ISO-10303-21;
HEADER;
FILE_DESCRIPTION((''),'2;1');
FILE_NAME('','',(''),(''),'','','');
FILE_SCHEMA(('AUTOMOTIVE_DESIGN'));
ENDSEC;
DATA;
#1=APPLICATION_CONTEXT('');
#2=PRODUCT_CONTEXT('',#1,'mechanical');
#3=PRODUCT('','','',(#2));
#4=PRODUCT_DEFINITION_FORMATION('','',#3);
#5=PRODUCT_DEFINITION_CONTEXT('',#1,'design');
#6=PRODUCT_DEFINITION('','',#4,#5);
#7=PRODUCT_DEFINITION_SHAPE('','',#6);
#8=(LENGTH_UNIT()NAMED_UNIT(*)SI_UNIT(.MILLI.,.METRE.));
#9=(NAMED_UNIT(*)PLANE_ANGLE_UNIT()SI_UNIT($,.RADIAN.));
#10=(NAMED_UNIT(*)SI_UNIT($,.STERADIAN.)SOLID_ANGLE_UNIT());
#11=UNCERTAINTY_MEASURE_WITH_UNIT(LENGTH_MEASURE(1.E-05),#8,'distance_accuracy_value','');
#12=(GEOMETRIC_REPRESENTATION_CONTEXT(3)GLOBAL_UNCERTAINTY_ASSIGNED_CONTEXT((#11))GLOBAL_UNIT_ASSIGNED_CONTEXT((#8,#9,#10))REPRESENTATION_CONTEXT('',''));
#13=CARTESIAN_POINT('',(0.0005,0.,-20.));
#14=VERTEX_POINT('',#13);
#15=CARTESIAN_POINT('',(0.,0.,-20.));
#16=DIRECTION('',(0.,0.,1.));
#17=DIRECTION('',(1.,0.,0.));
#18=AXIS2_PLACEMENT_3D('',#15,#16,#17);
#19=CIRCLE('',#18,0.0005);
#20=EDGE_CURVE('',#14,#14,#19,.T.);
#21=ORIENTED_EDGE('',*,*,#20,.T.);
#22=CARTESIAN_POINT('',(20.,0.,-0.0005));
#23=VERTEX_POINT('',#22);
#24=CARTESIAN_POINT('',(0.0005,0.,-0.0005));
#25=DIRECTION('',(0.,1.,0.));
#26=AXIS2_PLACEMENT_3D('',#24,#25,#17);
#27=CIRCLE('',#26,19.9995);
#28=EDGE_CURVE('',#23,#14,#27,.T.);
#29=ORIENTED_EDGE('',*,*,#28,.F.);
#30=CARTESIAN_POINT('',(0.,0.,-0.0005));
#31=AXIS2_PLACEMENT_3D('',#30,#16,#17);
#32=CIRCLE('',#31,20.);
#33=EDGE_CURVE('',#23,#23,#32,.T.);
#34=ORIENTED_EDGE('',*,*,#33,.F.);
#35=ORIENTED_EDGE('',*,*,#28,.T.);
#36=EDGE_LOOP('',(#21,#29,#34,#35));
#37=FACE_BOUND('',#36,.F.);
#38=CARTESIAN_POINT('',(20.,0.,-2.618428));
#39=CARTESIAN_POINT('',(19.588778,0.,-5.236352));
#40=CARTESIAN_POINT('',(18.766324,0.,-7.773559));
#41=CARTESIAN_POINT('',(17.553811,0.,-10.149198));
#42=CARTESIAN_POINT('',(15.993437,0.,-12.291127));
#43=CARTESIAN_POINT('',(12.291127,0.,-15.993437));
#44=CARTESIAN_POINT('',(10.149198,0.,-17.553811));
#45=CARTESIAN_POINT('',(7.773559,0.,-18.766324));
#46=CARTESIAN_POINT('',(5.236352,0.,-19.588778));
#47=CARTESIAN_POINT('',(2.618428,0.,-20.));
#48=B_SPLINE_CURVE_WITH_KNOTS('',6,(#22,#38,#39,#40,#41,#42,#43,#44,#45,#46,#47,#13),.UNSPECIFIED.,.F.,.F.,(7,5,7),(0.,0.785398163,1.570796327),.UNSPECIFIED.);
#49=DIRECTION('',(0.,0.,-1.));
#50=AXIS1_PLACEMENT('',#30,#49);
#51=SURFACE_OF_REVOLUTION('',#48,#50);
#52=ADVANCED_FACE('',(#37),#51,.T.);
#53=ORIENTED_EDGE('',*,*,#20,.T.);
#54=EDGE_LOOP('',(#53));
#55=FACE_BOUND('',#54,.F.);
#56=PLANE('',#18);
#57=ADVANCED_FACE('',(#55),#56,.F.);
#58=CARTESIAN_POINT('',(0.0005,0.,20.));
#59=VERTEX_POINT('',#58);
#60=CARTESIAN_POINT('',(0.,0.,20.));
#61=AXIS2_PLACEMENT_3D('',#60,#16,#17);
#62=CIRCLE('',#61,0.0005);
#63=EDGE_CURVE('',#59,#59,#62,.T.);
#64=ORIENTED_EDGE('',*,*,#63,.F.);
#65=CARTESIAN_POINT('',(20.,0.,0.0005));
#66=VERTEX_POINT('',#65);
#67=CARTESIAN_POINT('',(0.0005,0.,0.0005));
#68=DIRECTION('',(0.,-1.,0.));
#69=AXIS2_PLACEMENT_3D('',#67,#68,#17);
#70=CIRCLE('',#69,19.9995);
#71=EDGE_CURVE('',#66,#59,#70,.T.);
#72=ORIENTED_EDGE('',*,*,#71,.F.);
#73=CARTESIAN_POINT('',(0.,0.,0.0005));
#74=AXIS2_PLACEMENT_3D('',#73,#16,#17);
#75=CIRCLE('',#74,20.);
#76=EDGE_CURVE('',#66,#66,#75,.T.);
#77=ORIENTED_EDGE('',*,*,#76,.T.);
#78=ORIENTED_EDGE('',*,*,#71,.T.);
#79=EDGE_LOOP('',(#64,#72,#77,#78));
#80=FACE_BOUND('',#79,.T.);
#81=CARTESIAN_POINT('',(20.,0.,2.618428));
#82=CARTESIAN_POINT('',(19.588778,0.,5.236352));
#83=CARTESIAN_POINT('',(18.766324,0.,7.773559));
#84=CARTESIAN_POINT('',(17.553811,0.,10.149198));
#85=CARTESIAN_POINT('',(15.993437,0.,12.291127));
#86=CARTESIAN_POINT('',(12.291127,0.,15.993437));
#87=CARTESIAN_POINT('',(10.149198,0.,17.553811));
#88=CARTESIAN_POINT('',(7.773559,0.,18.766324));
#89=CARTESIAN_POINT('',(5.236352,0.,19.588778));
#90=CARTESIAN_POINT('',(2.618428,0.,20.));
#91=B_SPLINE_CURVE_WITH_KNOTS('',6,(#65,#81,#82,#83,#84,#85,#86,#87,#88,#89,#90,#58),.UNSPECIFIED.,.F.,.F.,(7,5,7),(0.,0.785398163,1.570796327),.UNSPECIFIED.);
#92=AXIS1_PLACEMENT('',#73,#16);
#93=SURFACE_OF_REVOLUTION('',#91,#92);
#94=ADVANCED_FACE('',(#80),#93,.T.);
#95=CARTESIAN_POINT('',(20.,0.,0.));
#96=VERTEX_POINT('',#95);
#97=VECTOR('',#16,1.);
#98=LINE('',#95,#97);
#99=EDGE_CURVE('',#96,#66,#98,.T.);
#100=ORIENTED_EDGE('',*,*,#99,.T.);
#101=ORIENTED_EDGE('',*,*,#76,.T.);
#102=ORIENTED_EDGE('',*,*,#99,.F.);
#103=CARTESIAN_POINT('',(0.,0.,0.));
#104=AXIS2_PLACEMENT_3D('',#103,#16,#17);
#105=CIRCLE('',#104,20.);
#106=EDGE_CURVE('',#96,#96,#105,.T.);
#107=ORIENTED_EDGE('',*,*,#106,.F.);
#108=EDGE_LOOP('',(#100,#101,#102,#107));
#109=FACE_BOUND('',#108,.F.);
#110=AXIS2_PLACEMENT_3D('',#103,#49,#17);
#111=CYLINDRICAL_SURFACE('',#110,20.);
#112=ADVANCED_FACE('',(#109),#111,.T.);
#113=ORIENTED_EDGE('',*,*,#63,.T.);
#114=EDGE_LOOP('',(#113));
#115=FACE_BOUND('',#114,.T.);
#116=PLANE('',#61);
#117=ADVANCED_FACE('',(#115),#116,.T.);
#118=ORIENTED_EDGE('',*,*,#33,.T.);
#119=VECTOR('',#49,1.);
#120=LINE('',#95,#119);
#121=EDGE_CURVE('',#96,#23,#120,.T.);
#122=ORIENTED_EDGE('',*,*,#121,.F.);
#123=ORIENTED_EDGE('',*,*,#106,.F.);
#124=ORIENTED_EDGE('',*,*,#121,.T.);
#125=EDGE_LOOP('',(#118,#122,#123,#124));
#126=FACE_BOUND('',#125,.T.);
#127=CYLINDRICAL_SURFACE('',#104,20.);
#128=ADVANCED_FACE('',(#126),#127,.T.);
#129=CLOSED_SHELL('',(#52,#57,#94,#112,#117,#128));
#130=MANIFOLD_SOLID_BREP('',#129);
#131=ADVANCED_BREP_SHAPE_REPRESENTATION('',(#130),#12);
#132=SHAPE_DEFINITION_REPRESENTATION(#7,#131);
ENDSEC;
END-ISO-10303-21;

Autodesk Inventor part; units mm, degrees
ref_plane "YZ Plane" through (0, 0, 0) normal (1, 0, 0) x (0, 1, 0)
ref_plane "XZ Plane" through (0, 0, 0) normal (0, 1, 0) x (-1, 0, 0)
ref_plane "XY Plane" through (0, 0, 0) normal (0, 0, 1) x (1, 0, 0)
sketch "Sketch1" plane through (0, 0, 0) normal (0, 0, 1) x (1, 0, 0)
  circle A0 centre (0, 0) radius 20
  dimension "d0" = 40
extrude "Extrusion1" add sketch "Sketch1" along normal mid plane 40
fillet "Fillet1" radius 20 2 edges at (-20, 0, 20) (-20, 0, -20)
properties part number "Ball 30mm" material "Polystyrene"
